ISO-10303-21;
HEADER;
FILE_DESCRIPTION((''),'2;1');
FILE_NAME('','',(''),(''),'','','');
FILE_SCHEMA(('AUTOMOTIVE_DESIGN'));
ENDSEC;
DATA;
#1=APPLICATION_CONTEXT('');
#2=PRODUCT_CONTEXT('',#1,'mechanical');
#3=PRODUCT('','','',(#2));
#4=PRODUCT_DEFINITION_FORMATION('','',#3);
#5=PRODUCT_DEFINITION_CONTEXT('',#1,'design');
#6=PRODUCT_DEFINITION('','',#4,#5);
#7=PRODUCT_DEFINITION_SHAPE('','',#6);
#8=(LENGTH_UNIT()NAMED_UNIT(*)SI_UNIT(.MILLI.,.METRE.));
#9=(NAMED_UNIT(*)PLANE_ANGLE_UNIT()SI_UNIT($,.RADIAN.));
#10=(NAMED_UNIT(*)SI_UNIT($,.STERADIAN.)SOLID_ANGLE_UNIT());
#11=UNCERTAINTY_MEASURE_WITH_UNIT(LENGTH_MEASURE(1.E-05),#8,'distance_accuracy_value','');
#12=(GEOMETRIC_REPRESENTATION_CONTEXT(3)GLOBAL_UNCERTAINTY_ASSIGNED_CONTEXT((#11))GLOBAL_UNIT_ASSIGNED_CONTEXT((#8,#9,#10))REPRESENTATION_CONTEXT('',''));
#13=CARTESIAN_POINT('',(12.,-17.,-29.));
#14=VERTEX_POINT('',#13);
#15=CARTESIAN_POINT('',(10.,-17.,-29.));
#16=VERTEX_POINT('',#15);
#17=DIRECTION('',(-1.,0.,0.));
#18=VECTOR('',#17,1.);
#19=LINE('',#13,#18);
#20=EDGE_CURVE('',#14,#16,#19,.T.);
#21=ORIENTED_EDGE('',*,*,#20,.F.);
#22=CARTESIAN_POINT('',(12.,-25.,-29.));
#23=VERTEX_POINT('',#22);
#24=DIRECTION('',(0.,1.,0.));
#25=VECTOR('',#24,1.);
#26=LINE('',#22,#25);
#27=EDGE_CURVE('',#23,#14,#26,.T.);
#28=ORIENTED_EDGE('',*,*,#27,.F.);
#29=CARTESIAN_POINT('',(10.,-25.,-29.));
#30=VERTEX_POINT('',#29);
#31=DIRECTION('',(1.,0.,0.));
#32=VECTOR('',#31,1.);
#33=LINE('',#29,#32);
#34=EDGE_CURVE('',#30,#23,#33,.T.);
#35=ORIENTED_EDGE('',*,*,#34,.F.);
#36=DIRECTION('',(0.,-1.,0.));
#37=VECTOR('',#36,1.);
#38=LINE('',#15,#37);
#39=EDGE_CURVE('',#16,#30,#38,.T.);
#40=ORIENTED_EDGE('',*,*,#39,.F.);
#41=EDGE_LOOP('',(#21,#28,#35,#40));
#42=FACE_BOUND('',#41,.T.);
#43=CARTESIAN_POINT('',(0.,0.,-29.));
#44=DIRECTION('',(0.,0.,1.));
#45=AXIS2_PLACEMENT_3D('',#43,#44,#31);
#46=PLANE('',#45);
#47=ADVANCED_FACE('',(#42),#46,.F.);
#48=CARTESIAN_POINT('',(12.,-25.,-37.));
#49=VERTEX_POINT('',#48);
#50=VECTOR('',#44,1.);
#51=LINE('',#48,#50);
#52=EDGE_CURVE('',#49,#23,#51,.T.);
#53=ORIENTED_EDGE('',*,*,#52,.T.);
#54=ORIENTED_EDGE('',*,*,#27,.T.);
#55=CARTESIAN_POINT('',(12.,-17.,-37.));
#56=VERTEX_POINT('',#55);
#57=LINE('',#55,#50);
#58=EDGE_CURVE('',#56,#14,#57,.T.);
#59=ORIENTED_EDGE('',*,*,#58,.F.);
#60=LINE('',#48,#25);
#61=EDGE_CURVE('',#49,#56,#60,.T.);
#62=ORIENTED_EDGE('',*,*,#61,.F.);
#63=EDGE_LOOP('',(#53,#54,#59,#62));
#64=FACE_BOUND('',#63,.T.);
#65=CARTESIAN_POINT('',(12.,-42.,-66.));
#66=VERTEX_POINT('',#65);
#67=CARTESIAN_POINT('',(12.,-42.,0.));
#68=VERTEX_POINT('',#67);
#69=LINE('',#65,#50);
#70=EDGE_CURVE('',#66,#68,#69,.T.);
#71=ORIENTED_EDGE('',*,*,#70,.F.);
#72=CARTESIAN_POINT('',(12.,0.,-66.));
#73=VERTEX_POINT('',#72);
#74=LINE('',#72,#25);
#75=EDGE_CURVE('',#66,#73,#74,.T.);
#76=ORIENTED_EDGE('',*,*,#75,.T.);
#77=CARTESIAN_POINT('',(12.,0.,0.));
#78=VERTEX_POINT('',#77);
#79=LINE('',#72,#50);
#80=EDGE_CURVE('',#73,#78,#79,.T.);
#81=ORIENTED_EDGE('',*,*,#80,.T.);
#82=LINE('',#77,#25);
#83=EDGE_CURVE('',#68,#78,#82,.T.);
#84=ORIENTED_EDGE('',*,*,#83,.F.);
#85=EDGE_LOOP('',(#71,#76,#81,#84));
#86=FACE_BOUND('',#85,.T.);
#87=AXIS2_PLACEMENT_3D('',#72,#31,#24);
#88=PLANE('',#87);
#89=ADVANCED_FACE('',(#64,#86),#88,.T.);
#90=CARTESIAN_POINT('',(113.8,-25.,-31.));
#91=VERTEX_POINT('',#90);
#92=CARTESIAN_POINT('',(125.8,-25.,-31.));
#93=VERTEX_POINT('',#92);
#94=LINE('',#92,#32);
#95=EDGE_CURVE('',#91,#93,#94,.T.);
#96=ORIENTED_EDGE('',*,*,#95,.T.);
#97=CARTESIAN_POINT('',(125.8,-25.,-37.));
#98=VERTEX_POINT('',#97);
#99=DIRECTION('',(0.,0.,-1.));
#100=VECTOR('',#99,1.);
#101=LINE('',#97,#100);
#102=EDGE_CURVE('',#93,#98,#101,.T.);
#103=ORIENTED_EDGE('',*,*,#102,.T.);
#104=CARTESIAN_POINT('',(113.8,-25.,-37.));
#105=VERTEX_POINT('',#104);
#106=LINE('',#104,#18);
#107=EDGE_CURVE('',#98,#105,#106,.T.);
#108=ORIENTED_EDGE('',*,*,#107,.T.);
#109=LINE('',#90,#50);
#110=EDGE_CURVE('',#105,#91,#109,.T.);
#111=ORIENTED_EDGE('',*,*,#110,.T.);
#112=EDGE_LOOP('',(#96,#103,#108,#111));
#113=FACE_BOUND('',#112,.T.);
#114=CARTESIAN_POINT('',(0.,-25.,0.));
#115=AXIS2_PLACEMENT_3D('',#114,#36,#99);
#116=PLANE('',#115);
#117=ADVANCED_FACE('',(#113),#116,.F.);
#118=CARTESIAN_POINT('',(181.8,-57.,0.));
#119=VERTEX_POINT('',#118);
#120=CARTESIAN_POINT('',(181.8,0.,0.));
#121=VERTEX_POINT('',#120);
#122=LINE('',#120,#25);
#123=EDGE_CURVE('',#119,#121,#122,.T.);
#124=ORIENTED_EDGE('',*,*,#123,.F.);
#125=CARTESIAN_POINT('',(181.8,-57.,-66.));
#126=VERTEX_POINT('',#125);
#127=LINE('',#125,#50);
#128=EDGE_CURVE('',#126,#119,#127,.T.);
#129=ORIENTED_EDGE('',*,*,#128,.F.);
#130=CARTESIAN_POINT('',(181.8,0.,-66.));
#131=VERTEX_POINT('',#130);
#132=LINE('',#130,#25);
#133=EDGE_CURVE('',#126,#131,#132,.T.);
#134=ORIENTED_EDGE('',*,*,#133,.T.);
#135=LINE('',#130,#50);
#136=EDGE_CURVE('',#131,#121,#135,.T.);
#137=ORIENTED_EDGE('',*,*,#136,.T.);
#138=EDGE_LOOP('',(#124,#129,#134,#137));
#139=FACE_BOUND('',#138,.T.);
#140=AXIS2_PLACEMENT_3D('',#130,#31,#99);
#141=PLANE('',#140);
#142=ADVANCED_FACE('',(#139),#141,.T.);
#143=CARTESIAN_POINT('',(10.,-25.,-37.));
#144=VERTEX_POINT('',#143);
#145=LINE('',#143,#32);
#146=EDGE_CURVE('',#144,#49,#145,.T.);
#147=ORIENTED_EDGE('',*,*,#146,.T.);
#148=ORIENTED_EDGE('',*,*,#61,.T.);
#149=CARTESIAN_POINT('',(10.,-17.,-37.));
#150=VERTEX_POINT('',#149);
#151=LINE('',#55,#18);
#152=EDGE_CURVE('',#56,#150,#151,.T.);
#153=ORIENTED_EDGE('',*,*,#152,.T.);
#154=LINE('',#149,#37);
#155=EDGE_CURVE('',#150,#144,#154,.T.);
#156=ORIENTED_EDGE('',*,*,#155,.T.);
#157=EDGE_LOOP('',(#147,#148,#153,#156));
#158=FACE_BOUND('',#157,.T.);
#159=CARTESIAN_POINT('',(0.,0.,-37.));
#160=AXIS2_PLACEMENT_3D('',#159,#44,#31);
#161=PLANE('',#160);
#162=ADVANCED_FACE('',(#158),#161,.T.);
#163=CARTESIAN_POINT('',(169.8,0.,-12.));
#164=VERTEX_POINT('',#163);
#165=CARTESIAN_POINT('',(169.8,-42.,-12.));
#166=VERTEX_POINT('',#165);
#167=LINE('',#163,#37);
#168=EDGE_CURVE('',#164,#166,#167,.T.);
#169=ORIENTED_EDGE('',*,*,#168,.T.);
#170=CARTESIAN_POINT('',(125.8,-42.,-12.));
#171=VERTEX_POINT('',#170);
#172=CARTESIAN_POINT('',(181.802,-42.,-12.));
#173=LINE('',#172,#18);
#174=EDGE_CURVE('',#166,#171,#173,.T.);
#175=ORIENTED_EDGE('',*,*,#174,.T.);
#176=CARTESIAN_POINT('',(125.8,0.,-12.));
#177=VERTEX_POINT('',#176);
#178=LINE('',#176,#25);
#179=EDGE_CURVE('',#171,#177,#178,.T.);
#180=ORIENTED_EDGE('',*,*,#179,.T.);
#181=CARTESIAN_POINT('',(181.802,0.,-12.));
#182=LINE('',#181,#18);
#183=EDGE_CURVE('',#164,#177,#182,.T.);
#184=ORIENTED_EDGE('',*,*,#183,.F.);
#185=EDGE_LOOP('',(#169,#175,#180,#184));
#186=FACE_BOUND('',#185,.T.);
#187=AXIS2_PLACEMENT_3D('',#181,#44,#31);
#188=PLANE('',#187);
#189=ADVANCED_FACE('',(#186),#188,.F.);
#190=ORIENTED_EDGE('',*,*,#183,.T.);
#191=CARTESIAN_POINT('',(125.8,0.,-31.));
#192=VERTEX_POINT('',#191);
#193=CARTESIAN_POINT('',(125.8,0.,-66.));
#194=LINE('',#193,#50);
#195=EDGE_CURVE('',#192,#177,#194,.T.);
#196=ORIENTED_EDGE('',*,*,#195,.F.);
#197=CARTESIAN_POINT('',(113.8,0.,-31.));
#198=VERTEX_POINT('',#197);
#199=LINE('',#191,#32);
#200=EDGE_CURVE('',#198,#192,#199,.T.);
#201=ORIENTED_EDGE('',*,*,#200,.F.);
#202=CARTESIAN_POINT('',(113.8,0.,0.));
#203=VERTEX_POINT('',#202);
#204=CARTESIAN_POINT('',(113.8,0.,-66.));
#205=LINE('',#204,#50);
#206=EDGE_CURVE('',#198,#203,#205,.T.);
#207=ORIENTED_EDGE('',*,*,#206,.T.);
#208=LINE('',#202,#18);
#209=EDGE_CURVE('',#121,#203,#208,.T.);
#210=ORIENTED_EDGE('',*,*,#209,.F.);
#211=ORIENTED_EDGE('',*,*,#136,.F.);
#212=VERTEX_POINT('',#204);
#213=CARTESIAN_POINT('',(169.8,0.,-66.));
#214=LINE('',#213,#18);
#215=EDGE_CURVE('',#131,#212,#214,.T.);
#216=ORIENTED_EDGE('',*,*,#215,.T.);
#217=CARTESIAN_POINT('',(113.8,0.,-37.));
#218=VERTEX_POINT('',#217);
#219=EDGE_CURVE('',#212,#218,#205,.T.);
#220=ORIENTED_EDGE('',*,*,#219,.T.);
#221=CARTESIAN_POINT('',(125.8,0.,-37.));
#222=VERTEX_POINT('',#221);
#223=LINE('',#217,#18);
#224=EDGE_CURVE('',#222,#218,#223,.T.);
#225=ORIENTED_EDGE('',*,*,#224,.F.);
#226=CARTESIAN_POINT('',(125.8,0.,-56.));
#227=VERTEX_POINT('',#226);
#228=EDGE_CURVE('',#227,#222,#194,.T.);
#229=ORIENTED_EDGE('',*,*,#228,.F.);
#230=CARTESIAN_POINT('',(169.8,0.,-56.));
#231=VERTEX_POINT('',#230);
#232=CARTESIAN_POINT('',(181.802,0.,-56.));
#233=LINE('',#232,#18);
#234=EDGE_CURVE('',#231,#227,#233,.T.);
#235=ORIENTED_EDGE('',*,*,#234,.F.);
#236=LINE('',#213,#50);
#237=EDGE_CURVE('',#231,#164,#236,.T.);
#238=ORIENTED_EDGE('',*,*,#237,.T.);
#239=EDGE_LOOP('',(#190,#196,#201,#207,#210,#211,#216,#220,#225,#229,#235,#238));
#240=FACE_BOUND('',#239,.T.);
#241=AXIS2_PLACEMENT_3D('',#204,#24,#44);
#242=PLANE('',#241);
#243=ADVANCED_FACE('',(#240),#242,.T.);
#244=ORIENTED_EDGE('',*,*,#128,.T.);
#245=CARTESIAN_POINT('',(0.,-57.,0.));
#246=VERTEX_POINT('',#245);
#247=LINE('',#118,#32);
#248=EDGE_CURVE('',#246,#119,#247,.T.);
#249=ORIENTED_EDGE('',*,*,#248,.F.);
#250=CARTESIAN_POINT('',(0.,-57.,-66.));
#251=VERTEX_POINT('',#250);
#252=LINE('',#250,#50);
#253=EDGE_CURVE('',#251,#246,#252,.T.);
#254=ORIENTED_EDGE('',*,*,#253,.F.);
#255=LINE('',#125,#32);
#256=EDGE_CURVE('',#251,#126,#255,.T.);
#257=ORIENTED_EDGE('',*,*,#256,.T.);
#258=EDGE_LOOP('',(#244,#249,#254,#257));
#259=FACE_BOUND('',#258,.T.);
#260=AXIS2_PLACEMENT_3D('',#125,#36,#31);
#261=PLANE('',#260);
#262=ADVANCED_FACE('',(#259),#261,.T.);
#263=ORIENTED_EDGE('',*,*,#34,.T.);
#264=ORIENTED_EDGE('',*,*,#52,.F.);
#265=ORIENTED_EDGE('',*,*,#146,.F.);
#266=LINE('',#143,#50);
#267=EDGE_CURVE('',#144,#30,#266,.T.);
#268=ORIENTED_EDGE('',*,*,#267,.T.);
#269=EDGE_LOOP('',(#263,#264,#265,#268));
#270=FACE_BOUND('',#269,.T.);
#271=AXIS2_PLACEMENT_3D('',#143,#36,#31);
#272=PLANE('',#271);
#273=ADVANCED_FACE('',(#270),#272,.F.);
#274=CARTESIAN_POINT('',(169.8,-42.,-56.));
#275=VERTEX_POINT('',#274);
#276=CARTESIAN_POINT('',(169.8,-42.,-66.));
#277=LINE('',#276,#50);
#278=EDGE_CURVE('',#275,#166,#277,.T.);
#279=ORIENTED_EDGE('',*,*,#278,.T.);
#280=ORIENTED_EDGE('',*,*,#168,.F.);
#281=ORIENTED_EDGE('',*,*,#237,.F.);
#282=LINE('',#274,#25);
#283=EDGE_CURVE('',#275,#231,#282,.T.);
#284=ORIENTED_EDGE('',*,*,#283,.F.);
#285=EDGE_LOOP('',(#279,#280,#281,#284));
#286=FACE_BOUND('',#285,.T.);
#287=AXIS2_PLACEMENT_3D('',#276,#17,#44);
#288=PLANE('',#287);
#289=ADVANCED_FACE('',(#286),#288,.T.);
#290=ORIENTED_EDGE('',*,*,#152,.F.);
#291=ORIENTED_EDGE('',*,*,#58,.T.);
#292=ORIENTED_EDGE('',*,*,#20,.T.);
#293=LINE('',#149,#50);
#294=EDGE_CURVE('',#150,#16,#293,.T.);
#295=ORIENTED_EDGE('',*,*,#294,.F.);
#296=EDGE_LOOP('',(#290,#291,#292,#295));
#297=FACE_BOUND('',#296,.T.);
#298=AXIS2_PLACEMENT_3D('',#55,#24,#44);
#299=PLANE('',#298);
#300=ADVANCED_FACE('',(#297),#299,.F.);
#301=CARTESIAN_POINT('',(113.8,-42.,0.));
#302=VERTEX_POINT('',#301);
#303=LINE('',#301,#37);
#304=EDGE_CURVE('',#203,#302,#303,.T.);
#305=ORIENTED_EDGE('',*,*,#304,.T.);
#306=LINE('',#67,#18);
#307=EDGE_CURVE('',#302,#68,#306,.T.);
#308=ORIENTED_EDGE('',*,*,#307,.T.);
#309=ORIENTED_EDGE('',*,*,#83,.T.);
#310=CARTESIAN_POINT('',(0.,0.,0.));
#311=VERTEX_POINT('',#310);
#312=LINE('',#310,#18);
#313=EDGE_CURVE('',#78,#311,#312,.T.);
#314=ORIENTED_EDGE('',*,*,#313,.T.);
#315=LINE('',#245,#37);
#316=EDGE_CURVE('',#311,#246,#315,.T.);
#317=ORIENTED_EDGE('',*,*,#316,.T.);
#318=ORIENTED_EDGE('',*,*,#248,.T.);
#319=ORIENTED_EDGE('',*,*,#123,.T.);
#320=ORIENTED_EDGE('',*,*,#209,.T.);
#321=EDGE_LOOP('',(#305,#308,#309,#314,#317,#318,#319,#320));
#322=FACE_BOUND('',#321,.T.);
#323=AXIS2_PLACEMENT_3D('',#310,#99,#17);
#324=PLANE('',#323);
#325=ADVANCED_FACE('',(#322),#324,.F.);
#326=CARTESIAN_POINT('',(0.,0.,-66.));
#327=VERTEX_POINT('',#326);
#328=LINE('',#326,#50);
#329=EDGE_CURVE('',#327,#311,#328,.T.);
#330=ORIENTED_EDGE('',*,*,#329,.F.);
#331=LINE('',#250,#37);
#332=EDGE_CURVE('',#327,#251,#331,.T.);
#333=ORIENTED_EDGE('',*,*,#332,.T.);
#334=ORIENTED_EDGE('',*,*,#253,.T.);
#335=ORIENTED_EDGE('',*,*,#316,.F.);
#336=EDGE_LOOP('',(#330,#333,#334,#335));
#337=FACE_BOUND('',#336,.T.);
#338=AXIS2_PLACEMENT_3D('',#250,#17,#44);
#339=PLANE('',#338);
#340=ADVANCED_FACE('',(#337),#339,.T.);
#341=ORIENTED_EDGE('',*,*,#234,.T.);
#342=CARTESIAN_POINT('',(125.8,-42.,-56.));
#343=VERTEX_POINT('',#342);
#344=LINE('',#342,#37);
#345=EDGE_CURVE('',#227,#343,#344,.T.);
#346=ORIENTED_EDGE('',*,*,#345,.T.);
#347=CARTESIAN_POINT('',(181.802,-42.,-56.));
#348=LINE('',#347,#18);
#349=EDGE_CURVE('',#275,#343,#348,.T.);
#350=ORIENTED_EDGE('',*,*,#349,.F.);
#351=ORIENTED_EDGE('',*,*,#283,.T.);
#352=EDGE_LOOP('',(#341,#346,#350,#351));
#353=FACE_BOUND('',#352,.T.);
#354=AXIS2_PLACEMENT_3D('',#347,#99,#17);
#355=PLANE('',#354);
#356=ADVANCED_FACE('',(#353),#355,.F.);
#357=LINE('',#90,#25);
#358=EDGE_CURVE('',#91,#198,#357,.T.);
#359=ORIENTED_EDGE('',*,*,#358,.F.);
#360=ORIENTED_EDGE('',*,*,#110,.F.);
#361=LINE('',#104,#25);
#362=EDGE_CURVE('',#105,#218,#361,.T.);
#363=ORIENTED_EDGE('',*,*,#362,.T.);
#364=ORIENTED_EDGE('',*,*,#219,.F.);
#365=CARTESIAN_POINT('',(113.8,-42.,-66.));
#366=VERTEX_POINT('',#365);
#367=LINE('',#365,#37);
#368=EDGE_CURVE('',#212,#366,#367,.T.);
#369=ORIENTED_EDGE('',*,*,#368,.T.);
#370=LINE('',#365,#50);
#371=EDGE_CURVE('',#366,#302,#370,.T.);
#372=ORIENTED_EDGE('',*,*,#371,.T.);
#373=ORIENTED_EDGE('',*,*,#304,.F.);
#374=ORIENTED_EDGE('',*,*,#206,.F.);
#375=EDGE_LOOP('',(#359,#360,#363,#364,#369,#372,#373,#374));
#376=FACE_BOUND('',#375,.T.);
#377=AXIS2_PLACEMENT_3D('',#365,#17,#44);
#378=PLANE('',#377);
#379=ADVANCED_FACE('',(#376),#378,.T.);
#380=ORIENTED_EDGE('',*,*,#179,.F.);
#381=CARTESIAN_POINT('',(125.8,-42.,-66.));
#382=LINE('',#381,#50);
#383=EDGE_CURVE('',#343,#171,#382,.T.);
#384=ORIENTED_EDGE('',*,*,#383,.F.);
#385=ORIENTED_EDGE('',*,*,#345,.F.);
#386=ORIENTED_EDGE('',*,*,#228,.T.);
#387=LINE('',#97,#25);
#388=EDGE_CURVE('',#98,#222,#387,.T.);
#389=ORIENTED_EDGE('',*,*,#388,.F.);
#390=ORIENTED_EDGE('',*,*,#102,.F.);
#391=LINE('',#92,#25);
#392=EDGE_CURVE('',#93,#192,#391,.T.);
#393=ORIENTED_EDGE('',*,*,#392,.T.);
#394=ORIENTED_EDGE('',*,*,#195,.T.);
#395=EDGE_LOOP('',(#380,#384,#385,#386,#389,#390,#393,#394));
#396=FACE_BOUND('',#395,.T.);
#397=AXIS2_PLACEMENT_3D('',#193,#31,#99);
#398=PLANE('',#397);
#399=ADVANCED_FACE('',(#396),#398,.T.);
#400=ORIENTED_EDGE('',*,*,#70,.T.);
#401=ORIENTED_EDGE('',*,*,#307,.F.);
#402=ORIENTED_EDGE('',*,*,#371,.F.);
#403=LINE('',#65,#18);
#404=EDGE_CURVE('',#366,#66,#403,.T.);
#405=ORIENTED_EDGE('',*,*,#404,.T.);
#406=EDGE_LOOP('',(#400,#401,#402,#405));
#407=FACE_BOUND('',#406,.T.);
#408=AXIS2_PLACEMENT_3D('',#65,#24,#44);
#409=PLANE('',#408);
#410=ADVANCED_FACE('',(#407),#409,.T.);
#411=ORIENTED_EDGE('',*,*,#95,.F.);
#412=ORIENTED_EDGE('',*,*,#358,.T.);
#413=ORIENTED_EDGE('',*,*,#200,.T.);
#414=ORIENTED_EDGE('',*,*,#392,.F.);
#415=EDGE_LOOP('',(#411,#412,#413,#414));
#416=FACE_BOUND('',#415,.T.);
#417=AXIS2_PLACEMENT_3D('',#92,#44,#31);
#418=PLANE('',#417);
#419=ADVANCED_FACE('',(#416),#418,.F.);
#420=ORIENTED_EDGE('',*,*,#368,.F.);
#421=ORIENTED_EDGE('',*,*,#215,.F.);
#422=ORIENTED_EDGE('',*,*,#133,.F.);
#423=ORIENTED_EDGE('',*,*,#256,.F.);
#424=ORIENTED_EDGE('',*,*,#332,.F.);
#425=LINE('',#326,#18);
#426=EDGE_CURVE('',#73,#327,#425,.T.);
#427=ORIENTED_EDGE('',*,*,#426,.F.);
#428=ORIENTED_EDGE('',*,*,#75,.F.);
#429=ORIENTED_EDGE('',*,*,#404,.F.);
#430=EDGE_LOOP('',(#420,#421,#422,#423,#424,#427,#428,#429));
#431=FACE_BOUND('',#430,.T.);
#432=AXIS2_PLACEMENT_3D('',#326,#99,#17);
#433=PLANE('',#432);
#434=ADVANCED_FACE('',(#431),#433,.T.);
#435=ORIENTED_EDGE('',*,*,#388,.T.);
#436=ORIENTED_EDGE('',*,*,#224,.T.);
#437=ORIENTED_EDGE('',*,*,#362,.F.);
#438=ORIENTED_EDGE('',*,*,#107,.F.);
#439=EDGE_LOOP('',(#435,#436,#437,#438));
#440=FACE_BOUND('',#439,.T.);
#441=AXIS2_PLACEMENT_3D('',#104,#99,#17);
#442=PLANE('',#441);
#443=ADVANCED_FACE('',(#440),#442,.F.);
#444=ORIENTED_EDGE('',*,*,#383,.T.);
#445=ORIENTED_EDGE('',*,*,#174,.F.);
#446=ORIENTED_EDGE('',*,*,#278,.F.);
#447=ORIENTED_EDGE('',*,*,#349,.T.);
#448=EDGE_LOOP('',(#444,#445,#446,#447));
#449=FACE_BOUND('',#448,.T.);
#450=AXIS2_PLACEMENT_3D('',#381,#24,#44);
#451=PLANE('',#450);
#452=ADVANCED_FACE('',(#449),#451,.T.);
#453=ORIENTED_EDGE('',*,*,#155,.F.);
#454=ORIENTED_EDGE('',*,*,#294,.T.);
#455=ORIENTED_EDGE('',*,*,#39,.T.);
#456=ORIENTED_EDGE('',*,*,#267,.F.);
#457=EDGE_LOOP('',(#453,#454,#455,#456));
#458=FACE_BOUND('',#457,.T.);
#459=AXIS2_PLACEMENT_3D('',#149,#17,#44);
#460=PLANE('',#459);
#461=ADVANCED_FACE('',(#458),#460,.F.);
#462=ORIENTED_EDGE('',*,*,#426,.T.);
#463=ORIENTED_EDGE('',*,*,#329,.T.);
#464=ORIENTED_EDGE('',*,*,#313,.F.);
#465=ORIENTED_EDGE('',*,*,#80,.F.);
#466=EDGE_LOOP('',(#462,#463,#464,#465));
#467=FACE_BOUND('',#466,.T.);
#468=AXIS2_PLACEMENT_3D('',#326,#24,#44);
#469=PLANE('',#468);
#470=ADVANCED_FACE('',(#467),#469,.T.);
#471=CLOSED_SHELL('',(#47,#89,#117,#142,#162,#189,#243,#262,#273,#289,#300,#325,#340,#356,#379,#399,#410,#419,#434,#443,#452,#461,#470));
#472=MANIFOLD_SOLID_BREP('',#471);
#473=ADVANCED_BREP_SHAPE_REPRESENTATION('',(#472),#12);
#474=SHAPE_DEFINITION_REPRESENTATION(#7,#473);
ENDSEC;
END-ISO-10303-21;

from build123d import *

# Parameters (mm, degrees)
BOSS_EXTRUDE1_DEPTH = 66
SKETCH3_W           = 2
SKETCH3_H           = 8
CUT_EXTRUDE1_DEPTH  = 37
SKETCH3_3_W         = 2
SKETCH3_3_H         = 8
BOSS_EXTRUDE2_DEPTH = 29
BOSS_EXTRUDE3_REACH = 155.071
SKETCH4_W           = 12
SKETCH4_H           = 42
SKETCH4_W_2         = 10
SKETCH5_W           = 12
SKETCH5_H           = 6
CUT_EXTRUDE2_DEPTH  = 25


with BuildPart() as part:
    # Sketch2 → Boss-Extrude1 (new body)
    with BuildSketch(Plane.XY):
        Polygon((0, 0), (12, 0), (12, -42), (113.8, -42), (113.8, 0), (125.8, 0), (125.8, -42), (169.8, -42), (169.8, 0), (181.8, 0), (181.8, -57), (0, -57), align=None)
    extrude(amount=-BOSS_EXTRUDE1_DEPTH)

    # Sketch3 → Cut-Extrude1 (cut)
    with BuildSketch(Plane.XY):
        with Locations((11, -21)):
            Rectangle(SKETCH3_W, SKETCH3_H)
    extrude(amount=-CUT_EXTRUDE1_DEPTH, mode=Mode.SUBTRACT)

    # Sketch3<3> → Boss-Extrude2 (add)
    with BuildSketch(Plane.XY):
        with Locations((11, -21)):
            Rectangle(SKETCH3_3_W, SKETCH3_3_H)
    extrude(amount=-BOSS_EXTRUDE2_DEPTH)

    # Sketch4 → Boss-Extrude3 (add, up to next)
    with BuildSketch(Plane(origin=(125.8, 0, 0), x_dir=(0, 0, -1), z_dir=(1, 0, 0)), mode=Mode.PRIVATE) as boss_extrude3_sk1:
        with Locations((6, -21)):
            Rectangle(SKETCH4_W, SKETCH4_H)
    boss_extrude3_tool1 = extrude(boss_extrude3_sk1.sketch, amount=BOSS_EXTRUDE3_REACH, mode=Mode.PRIVATE) - part.part
    # Sketch4 → Boss-Extrude3 (add, up to next)
    with BuildSketch(Plane(origin=(125.8, 0, 0), x_dir=(0, 0, -1), z_dir=(1, 0, 0)), mode=Mode.PRIVATE) as boss_extrude3_sk2:
        with Locations((61, -21)):
            Rectangle(SKETCH4_W_2, SKETCH4_H)
    boss_extrude3_tool2 = extrude(boss_extrude3_sk2.sketch, amount=BOSS_EXTRUDE3_REACH, mode=Mode.PRIVATE) - part.part
    add(boss_extrude3_tool1.solids().sort_by_distance((125.8, -21, -6))[0])
    add(boss_extrude3_tool2.solids().sort_by_distance((125.8, -21, -61))[0])

    # Sketch5 → Cut-Extrude2 (cut)
    with BuildSketch(Plane(origin=(0, 0, 0), x_dir=(1, 0, 0), z_dir=(0, 1, 0))):
        with Locations((119.8, 34)):
            Rectangle(SKETCH5_W, SKETCH5_H)
    extrude(amount=-CUT_EXTRUDE2_DEPTH, mode=Mode.SUBTRACT)


solid = part.part
